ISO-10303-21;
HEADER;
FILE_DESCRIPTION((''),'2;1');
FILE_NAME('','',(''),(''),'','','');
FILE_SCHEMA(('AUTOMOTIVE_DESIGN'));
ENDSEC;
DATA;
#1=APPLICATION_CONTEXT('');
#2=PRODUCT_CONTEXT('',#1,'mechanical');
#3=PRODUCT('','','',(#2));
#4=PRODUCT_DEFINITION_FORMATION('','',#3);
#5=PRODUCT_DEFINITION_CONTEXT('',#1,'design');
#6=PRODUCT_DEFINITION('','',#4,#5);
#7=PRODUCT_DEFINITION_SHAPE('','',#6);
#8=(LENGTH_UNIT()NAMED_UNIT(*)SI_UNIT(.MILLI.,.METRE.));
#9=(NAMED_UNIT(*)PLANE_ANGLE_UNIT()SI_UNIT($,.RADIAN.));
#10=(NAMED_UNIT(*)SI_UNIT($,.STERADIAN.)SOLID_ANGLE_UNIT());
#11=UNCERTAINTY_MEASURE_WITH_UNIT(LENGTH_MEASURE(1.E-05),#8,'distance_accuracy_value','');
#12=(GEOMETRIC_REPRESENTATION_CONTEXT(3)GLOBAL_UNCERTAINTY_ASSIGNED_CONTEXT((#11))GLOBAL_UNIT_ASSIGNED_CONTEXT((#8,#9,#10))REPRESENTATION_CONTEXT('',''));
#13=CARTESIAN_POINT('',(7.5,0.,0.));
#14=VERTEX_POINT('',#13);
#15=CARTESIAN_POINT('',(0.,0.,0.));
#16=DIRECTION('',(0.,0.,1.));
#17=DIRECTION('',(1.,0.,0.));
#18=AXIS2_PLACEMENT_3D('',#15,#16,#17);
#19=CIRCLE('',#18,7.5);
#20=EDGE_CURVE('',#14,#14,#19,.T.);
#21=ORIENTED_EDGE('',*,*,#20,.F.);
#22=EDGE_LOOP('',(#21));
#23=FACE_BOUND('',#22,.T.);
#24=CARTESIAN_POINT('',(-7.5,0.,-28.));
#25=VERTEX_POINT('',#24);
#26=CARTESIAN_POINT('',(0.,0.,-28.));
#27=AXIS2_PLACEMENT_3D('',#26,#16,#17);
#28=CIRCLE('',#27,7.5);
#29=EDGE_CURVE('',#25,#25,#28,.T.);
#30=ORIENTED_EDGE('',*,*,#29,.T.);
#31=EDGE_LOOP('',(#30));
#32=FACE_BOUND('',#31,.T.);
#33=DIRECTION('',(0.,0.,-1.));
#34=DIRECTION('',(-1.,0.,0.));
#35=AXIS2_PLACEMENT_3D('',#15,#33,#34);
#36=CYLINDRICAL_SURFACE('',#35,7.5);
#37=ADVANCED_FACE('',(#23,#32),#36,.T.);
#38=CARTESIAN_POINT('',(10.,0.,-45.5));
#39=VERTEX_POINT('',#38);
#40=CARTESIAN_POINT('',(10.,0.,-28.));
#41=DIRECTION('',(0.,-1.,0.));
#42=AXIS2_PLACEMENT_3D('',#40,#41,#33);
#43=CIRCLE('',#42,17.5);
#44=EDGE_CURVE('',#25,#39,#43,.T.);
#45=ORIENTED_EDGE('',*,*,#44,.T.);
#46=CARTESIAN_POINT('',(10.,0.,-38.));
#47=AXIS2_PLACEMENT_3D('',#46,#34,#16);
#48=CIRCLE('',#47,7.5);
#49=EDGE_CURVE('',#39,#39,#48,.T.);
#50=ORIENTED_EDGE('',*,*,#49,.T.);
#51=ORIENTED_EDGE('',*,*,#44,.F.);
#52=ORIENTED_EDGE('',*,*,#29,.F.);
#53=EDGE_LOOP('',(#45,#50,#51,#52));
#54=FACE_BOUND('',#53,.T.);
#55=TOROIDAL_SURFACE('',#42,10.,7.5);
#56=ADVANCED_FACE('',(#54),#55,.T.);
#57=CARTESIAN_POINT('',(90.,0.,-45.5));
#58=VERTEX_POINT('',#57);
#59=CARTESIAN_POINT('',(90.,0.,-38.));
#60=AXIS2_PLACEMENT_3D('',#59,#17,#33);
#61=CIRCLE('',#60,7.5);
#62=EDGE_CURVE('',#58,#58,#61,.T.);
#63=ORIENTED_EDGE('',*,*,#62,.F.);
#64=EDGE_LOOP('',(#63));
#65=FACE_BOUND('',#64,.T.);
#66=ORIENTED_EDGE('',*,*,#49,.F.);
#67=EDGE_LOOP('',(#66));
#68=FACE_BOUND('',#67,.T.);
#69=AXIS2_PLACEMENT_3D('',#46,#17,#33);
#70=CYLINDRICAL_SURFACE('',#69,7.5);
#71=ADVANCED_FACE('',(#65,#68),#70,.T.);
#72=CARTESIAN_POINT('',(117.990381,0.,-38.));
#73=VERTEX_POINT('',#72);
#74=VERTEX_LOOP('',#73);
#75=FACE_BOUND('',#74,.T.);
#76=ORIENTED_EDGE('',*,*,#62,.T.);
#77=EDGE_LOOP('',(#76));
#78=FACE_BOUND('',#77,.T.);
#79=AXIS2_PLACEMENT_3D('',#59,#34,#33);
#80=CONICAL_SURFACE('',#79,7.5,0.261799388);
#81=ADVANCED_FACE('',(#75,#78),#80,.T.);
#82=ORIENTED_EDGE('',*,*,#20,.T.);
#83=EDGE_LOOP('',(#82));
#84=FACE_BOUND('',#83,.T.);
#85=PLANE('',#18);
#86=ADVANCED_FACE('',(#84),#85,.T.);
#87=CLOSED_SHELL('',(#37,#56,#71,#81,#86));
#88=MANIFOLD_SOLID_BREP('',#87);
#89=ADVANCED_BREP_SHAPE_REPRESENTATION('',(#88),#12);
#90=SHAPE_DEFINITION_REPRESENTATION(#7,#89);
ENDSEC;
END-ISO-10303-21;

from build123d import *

# Parameters (mm, degrees)
ESQUISSE1_R = 7.5


with BuildPart() as part:
    # Balayage1: sweep along a path in Esquisse3
    with BuildLine(Plane(origin=(0, 0, 0), x_dir=(1, 0, 0), z_dir=(0, 1, 0))) as balayage1_path:
        Line((0, 0), (0, 28))
        ThreePointArc((0, 28), (2.928932188, 35.071067812), (10, 38))
        Line((10, 38), (90, 38))
    # Esquisse1 → Balayage1 (sweep)
    with BuildSketch(Plane.XY):
        Circle(ESQUISSE1_R)
    sweep(path=balayage1_path.line)

    # Boss.-Extru.2 cone 1 section (through the dimple's axis) → Boss.-Extru.2 (revolve)
    with BuildSketch(Plane(origin=(90, 0, -38), x_dir=(0, 0, 1), z_dir=(0, 1, 0))):
        Polygon((0, 0), (7.5, 0), (0, 27.990381057), align=None)
    revolve(axis=Axis((90, 0, -38), (1, 0, 0)))


solid = part.part
